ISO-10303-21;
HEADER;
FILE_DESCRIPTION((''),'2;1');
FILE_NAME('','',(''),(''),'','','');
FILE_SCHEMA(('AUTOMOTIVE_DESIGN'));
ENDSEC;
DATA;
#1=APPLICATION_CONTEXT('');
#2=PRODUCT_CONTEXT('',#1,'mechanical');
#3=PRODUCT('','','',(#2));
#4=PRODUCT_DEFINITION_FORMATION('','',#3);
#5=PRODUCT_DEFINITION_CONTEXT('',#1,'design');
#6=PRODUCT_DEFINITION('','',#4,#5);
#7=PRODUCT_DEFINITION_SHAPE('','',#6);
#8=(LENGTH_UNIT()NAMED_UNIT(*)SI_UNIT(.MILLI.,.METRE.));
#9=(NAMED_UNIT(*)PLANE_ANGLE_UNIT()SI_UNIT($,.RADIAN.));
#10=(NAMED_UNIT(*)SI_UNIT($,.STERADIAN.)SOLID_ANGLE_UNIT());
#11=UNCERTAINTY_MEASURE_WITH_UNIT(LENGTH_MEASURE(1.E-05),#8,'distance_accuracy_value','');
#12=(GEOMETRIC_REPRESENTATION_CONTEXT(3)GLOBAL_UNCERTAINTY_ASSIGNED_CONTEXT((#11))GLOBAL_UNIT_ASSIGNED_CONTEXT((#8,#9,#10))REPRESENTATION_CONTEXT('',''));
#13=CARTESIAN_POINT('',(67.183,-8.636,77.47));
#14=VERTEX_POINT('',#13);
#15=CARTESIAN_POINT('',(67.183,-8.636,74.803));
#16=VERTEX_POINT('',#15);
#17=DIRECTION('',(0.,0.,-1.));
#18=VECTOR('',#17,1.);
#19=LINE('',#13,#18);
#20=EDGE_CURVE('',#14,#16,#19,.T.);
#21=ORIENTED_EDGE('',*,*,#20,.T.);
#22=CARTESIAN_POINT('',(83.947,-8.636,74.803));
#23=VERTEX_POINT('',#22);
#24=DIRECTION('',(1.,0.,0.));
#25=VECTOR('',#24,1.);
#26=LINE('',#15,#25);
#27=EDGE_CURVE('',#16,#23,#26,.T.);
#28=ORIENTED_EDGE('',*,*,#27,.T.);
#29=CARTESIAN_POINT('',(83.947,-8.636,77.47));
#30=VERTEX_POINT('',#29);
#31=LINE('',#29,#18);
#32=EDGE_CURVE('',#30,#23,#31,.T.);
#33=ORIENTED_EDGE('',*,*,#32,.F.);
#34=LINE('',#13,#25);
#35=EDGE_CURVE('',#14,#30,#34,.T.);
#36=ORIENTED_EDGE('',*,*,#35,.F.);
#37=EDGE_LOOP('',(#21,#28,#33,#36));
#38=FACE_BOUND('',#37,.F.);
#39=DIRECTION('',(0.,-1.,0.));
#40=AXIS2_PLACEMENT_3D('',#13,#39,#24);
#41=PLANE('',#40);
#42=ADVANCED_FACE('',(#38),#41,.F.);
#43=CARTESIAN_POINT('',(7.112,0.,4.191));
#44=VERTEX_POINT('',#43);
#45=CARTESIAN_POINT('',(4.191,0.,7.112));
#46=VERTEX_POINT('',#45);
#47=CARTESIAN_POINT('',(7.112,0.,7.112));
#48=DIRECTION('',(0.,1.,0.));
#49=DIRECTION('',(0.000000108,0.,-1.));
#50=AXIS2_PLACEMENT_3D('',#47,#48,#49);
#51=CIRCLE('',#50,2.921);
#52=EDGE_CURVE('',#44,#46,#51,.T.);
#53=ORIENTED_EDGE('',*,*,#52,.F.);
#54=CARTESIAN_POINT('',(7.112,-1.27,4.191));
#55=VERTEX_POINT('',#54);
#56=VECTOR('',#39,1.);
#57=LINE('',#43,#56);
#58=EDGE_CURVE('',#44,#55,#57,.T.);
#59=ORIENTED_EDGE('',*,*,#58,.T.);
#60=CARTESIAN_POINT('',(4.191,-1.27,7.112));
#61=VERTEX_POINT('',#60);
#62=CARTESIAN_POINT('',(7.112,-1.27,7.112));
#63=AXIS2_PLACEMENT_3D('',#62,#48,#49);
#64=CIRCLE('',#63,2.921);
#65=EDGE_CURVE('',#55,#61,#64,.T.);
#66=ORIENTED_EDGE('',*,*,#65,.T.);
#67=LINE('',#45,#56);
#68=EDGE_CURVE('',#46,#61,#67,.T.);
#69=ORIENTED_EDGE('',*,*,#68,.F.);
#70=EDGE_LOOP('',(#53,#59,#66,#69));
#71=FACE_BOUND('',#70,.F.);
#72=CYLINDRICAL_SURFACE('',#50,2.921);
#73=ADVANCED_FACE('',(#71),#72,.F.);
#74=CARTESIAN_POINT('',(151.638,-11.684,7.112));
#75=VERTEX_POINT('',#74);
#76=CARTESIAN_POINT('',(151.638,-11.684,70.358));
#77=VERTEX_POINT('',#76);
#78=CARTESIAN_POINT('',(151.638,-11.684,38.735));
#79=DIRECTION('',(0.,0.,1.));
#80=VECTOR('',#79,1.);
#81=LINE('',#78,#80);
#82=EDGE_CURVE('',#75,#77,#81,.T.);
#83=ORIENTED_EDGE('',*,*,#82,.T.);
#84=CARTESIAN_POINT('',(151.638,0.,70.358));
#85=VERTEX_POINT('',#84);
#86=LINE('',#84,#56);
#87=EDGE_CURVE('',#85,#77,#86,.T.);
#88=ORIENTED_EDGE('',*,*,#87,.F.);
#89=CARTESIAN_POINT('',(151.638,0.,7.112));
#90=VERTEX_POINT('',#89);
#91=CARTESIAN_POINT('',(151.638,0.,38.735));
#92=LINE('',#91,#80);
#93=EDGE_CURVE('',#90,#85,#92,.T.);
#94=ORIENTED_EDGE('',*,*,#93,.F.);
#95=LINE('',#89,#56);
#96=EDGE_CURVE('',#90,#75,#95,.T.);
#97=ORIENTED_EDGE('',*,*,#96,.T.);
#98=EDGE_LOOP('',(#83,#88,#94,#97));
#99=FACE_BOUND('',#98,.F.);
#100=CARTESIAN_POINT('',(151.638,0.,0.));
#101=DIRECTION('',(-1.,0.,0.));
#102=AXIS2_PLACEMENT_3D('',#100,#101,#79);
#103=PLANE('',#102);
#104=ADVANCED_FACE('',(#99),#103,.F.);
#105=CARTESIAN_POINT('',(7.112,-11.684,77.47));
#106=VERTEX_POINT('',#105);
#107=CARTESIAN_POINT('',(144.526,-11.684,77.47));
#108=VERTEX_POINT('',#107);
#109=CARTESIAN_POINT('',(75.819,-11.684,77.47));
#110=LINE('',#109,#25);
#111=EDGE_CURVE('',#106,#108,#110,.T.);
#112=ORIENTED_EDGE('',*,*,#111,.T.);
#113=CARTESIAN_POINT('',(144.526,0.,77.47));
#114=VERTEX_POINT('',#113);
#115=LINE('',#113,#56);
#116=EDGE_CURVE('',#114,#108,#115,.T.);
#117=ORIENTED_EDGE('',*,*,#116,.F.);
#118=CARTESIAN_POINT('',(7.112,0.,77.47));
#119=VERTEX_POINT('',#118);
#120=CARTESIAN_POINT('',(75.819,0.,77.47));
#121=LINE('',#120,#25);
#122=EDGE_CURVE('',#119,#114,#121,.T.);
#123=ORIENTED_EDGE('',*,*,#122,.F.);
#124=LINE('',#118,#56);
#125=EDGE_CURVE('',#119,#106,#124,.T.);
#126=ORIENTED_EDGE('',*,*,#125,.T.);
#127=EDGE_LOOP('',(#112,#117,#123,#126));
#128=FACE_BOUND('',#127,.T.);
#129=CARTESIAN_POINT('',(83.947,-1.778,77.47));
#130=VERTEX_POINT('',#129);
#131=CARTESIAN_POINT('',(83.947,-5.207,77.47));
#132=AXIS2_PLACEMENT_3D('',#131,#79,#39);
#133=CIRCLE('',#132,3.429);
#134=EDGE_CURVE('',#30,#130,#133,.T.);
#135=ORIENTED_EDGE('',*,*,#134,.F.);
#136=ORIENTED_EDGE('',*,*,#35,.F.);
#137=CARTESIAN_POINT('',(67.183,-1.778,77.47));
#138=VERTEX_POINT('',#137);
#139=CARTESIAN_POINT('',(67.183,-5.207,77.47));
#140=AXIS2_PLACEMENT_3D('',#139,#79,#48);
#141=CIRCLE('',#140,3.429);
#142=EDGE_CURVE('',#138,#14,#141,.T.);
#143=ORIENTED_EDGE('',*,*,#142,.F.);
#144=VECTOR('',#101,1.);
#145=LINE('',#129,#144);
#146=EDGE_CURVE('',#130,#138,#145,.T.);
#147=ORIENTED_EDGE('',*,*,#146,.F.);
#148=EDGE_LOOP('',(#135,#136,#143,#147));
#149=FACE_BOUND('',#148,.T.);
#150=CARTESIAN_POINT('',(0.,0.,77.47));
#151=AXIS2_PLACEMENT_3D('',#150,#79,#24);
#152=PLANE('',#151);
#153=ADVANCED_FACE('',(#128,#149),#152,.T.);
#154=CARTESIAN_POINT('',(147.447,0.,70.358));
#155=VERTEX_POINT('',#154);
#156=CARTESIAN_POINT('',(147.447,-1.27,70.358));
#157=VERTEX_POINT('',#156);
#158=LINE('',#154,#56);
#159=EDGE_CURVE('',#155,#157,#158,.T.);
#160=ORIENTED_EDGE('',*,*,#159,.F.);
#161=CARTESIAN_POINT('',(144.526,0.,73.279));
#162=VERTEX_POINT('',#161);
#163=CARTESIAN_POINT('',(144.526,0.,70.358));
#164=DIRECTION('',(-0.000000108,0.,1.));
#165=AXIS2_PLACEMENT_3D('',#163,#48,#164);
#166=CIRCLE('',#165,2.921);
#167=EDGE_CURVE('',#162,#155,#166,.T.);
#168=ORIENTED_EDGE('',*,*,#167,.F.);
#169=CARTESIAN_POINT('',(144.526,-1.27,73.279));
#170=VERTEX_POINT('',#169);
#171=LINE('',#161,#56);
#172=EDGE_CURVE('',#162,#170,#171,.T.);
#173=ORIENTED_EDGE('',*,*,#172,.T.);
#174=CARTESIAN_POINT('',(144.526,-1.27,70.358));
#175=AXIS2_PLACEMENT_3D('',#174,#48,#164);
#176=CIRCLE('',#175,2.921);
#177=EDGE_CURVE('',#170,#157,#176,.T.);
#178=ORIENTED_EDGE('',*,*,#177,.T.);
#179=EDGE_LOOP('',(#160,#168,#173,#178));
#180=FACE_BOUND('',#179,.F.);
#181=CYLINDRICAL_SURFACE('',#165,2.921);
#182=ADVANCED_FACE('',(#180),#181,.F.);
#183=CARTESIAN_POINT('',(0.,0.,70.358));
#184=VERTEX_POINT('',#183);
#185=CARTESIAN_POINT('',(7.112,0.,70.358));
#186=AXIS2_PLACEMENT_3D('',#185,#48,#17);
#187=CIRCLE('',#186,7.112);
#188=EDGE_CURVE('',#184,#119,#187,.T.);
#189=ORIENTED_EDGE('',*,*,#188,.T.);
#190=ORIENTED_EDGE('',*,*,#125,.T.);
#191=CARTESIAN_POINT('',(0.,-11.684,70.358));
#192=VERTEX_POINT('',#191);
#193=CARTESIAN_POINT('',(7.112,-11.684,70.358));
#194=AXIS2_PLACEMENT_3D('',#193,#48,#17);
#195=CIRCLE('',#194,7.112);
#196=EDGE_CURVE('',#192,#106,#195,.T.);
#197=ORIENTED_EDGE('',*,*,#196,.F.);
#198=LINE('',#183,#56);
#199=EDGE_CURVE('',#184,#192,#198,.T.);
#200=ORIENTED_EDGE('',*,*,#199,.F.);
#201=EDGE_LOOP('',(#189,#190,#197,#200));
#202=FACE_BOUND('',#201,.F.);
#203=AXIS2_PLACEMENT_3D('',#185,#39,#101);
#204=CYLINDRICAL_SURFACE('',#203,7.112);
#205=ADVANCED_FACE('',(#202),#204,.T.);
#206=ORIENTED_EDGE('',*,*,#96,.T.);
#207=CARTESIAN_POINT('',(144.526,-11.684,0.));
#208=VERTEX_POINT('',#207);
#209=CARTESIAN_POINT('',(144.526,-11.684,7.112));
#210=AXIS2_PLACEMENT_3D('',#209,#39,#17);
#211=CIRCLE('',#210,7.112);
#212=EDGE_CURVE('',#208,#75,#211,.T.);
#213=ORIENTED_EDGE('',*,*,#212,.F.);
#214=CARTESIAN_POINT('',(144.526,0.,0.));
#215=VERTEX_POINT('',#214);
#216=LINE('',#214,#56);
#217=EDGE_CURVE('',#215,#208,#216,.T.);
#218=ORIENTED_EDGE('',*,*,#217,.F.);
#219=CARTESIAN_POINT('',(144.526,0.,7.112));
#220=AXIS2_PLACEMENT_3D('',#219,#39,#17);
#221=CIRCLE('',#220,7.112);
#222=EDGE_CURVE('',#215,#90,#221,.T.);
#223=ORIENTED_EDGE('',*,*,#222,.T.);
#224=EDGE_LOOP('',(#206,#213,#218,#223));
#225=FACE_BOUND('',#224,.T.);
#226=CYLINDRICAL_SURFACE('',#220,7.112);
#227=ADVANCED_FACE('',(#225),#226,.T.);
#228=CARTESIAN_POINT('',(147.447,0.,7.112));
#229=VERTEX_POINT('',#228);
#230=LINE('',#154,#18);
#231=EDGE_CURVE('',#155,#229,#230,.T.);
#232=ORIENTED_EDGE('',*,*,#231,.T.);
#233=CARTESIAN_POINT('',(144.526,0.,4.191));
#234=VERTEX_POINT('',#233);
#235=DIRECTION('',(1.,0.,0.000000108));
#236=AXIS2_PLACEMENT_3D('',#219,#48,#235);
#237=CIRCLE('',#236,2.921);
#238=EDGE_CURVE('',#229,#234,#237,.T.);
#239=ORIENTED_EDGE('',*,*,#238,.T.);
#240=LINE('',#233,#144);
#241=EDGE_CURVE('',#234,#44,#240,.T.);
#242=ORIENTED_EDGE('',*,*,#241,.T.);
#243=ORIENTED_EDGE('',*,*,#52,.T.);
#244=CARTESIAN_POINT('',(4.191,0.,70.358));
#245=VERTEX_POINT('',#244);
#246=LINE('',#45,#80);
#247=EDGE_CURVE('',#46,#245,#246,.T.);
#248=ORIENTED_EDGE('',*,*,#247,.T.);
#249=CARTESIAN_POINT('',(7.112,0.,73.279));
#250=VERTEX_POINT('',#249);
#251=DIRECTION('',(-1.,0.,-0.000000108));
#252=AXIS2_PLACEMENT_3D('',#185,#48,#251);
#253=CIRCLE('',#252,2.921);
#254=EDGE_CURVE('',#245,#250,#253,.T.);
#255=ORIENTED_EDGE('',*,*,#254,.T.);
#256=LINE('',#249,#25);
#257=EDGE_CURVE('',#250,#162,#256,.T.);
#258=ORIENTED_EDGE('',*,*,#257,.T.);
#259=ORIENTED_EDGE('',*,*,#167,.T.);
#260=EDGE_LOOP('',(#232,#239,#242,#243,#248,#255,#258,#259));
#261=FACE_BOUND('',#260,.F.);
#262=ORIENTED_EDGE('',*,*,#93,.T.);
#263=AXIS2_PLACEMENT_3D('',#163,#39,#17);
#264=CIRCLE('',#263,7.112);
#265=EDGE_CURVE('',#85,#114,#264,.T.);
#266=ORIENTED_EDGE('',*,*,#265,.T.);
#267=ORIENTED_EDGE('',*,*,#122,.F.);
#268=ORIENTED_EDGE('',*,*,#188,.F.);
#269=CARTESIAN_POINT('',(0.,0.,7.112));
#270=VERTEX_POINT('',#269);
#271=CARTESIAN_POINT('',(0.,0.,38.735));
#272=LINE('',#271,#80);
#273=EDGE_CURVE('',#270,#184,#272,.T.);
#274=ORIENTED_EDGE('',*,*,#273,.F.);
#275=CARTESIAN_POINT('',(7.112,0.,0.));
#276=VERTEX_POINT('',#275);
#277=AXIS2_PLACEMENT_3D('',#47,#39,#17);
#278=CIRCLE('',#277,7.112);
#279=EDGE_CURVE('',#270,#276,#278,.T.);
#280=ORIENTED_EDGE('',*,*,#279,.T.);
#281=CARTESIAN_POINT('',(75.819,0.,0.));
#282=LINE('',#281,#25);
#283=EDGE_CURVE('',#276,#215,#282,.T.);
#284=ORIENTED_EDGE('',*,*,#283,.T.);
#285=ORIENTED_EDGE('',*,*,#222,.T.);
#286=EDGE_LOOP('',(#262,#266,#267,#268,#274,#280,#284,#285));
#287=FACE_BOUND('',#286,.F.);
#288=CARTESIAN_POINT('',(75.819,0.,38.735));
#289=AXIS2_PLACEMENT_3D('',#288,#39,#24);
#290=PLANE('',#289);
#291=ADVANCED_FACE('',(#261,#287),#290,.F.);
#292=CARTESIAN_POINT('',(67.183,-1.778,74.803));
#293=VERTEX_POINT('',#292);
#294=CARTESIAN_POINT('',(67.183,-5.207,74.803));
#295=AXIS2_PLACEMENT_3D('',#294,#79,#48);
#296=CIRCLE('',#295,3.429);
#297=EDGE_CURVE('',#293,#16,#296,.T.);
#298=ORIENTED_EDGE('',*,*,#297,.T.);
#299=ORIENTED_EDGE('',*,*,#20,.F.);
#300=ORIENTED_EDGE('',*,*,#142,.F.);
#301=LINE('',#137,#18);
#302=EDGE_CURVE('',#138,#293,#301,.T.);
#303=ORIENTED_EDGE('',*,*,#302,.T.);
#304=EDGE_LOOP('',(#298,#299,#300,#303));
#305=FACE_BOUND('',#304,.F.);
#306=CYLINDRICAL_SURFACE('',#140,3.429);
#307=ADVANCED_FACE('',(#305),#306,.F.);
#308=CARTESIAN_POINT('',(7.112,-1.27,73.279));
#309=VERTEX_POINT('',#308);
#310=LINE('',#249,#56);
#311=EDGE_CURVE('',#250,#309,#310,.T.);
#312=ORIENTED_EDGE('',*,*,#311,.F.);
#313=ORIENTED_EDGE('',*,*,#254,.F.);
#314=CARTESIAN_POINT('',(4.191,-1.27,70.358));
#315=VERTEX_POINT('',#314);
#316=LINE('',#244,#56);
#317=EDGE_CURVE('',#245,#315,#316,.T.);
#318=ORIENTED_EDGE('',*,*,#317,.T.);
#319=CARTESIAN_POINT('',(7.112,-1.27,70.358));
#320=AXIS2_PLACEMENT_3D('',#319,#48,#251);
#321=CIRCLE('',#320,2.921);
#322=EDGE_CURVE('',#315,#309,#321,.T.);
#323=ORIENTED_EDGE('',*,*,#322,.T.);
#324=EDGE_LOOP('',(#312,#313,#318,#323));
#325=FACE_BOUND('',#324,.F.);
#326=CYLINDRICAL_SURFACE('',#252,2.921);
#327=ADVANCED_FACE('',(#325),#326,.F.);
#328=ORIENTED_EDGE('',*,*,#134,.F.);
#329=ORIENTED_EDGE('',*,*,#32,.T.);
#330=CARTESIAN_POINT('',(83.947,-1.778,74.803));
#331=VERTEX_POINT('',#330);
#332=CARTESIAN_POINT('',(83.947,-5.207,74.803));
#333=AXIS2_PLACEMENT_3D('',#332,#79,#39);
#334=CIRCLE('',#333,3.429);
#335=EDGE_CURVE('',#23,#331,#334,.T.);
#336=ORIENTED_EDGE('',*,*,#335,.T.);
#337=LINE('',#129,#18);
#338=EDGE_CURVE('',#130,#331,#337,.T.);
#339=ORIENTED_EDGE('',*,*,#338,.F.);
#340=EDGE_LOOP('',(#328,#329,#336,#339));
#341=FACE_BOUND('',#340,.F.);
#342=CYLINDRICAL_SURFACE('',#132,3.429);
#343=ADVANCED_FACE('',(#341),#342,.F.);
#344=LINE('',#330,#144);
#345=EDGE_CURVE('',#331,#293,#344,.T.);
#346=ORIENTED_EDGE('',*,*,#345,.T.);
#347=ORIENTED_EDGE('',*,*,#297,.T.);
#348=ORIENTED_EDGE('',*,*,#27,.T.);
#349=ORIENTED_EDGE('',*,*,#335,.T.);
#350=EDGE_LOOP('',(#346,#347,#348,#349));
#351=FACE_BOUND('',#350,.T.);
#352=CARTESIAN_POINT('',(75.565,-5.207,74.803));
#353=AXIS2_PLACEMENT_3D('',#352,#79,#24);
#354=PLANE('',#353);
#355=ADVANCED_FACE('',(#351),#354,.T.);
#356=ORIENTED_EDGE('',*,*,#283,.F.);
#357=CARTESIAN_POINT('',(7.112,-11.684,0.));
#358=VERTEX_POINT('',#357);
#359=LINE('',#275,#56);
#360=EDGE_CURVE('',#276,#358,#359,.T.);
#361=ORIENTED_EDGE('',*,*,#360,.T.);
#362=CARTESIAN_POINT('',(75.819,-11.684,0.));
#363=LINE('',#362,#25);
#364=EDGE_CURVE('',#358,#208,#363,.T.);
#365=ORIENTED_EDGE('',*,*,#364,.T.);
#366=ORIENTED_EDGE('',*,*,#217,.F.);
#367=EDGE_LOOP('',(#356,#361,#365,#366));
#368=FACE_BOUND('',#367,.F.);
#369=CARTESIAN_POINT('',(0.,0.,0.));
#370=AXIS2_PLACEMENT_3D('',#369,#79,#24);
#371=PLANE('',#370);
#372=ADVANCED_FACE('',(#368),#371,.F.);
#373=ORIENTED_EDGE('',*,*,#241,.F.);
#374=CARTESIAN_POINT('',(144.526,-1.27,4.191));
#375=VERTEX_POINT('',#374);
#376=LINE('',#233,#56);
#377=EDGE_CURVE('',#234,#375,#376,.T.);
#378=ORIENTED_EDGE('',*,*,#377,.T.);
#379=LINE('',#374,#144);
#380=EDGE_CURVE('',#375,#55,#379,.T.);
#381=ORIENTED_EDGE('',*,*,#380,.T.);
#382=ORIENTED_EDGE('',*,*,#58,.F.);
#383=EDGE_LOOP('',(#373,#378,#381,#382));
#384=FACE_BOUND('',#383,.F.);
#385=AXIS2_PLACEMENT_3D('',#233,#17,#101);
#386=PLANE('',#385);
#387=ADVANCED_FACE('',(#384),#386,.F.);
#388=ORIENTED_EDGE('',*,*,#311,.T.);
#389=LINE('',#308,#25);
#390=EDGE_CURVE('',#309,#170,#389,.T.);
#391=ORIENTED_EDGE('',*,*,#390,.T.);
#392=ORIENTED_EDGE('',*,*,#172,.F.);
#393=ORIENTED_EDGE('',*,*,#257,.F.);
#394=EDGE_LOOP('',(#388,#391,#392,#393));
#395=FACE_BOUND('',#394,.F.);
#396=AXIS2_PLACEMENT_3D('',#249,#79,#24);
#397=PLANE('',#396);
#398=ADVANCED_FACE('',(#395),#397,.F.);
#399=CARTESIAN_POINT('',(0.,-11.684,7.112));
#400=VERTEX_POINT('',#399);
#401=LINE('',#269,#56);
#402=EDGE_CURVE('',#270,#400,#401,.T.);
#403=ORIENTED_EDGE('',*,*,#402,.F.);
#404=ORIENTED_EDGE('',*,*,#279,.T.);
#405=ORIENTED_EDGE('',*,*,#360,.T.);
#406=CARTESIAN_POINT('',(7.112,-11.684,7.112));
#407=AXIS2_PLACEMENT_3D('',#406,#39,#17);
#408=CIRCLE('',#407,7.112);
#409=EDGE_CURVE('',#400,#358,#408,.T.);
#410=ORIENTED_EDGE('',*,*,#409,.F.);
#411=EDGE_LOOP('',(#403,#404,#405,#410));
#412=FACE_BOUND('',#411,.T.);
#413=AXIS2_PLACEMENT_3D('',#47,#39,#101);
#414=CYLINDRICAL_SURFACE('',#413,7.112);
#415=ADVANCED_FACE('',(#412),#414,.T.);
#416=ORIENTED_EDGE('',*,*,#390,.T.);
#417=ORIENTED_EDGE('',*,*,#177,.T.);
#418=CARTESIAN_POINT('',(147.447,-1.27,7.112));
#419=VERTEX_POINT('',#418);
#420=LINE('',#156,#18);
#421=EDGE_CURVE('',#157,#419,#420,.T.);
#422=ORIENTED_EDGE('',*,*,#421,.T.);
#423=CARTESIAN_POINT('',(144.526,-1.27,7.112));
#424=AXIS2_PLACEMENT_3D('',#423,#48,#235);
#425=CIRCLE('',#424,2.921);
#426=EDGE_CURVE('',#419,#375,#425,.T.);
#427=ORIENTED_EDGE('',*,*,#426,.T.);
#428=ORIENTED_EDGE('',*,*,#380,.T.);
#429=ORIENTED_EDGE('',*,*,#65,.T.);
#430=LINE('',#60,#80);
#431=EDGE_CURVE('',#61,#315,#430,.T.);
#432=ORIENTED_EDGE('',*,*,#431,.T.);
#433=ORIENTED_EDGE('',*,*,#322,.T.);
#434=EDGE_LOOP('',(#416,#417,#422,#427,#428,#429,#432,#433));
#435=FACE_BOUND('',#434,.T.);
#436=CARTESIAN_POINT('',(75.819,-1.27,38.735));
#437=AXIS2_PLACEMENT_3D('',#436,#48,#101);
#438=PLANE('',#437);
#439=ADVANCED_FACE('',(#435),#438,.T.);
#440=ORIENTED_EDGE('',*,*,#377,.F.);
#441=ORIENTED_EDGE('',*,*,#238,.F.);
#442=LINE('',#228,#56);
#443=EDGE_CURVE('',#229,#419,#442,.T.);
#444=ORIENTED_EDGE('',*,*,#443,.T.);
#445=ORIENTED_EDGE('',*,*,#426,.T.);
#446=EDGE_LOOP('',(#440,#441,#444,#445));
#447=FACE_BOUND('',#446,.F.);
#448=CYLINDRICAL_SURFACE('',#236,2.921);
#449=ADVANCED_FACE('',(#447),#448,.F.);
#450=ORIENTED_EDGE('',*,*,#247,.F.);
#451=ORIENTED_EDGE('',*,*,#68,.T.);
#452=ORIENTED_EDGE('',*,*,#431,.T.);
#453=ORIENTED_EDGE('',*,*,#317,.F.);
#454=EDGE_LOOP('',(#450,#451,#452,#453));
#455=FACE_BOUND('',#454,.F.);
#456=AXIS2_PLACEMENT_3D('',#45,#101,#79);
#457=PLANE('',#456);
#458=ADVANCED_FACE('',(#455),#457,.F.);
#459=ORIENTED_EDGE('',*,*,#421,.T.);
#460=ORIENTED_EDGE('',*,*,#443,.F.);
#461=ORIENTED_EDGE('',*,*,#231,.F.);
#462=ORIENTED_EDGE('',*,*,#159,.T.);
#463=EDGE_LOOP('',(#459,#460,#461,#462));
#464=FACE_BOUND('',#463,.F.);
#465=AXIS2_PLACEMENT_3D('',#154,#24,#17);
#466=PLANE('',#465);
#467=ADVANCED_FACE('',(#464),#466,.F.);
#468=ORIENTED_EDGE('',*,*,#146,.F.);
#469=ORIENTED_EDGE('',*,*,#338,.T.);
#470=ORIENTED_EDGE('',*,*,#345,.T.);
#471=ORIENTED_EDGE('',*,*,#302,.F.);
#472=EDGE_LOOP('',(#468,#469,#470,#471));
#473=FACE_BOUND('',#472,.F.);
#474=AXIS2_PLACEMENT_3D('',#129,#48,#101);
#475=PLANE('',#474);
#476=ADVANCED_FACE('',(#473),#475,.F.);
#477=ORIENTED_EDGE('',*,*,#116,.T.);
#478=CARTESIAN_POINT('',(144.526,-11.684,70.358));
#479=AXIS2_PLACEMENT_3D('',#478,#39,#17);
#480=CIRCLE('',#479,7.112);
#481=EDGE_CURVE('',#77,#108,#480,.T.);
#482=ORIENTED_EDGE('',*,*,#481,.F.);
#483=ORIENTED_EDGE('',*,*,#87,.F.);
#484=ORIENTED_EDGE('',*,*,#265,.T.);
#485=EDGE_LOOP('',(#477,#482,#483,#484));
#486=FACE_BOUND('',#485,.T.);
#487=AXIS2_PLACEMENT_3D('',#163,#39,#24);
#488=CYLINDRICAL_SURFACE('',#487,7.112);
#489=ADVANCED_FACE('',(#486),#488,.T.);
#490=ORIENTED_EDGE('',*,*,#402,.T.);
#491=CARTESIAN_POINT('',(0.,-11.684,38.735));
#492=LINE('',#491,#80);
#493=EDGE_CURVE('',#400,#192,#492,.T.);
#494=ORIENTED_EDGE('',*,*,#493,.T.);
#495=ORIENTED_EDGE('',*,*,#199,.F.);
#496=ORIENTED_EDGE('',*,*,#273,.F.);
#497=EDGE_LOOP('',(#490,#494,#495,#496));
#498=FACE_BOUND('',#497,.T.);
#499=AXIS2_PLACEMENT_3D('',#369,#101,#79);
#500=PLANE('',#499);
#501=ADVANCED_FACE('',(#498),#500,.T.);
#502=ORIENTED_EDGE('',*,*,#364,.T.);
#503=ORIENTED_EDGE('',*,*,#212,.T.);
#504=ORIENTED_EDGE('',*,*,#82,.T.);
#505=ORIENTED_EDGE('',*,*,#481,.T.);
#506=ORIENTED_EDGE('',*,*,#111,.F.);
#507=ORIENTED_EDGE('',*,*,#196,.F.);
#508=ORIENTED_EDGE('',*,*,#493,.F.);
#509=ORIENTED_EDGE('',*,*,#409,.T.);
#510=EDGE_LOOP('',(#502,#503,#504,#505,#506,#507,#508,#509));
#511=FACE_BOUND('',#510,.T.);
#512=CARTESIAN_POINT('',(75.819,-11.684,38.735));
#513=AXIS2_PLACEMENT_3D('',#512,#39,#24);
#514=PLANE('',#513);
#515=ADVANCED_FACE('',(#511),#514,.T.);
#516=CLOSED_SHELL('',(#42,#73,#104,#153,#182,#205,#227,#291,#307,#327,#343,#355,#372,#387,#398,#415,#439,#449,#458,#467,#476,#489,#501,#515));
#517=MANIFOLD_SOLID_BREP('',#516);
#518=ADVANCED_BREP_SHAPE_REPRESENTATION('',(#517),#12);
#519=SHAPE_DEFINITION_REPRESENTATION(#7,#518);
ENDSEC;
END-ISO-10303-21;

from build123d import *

# Parameters (mm, degrees)
F0_W     = 151.638
F0_H     = 77.47
F1_DEPTH = 11.684
F2_R     = 7.112
F4_DEPTH = 2.667
F6_DEPTH = 1.27


with BuildPart() as f1:
    # F0 (on Front) → F1 (new body)
    with BuildSketch(Plane.XZ):
        with Locations((75.819, 38.735)):
            Rectangle(F0_W, F0_H)
    extrude(amount=F1_DEPTH)

    # F2
    f2_edges = [f1.edges().sort_by_distance(p)[0] for p in [
        (0, -5.842, 77.47),
        (151.638, -5.842, 77.47),
        (151.638, -5.842, 0),
        (0, -5.842, 0),
    ]]
    fillet(f2_edges, radius=F2_R)

    # F3 (on face) → F4 (cut)
    with BuildSketch(Plane.XY.offset(77.47)):
        with BuildLine():
            Line((83.947, -1.778), (67.183, -1.778))
            ThreePointArc((67.183, -1.778), (63.754, -5.207), (67.183, -8.636))
            Line((67.183, -8.636), (83.947, -8.636))
            ThreePointArc((83.947, -8.636), (87.376, -5.207), (83.947, -1.778))
        make_face()
    extrude(amount=-F4_DEPTH, mode=Mode.SUBTRACT)

    # F5 (on face) → F6 (cut)
    with BuildSketch(Plane(origin=(0, 0, 0), x_dir=(-1, 0, 0), z_dir=(0, 1, 0))):
        with BuildLine():
            Line((-147.447, 70.358), (-147.447, 7.112))
            ThreePointArc((-147.447, 7.112), (-146.591459, 5.046541), (-144.526, 4.191))
            Line((-144.526, 4.191), (-7.112, 4.191))
            ThreePointArc((-7.112, 4.191), (-5.046541, 5.046541), (-4.191, 7.112))
            Line((-4.191, 7.112), (-4.191, 70.358))
            ThreePointArc((-4.191, 70.358), (-5.046541, 72.423459), (-7.112, 73.279))
            Line((-7.112, 73.279), (-144.526, 73.279))
            ThreePointArc((-144.526, 73.279), (-146.591459, 72.423459), (-147.447, 70.358))
        make_face()
    extrude(amount=-F6_DEPTH, mode=Mode.SUBTRACT)


solid = f1.part
